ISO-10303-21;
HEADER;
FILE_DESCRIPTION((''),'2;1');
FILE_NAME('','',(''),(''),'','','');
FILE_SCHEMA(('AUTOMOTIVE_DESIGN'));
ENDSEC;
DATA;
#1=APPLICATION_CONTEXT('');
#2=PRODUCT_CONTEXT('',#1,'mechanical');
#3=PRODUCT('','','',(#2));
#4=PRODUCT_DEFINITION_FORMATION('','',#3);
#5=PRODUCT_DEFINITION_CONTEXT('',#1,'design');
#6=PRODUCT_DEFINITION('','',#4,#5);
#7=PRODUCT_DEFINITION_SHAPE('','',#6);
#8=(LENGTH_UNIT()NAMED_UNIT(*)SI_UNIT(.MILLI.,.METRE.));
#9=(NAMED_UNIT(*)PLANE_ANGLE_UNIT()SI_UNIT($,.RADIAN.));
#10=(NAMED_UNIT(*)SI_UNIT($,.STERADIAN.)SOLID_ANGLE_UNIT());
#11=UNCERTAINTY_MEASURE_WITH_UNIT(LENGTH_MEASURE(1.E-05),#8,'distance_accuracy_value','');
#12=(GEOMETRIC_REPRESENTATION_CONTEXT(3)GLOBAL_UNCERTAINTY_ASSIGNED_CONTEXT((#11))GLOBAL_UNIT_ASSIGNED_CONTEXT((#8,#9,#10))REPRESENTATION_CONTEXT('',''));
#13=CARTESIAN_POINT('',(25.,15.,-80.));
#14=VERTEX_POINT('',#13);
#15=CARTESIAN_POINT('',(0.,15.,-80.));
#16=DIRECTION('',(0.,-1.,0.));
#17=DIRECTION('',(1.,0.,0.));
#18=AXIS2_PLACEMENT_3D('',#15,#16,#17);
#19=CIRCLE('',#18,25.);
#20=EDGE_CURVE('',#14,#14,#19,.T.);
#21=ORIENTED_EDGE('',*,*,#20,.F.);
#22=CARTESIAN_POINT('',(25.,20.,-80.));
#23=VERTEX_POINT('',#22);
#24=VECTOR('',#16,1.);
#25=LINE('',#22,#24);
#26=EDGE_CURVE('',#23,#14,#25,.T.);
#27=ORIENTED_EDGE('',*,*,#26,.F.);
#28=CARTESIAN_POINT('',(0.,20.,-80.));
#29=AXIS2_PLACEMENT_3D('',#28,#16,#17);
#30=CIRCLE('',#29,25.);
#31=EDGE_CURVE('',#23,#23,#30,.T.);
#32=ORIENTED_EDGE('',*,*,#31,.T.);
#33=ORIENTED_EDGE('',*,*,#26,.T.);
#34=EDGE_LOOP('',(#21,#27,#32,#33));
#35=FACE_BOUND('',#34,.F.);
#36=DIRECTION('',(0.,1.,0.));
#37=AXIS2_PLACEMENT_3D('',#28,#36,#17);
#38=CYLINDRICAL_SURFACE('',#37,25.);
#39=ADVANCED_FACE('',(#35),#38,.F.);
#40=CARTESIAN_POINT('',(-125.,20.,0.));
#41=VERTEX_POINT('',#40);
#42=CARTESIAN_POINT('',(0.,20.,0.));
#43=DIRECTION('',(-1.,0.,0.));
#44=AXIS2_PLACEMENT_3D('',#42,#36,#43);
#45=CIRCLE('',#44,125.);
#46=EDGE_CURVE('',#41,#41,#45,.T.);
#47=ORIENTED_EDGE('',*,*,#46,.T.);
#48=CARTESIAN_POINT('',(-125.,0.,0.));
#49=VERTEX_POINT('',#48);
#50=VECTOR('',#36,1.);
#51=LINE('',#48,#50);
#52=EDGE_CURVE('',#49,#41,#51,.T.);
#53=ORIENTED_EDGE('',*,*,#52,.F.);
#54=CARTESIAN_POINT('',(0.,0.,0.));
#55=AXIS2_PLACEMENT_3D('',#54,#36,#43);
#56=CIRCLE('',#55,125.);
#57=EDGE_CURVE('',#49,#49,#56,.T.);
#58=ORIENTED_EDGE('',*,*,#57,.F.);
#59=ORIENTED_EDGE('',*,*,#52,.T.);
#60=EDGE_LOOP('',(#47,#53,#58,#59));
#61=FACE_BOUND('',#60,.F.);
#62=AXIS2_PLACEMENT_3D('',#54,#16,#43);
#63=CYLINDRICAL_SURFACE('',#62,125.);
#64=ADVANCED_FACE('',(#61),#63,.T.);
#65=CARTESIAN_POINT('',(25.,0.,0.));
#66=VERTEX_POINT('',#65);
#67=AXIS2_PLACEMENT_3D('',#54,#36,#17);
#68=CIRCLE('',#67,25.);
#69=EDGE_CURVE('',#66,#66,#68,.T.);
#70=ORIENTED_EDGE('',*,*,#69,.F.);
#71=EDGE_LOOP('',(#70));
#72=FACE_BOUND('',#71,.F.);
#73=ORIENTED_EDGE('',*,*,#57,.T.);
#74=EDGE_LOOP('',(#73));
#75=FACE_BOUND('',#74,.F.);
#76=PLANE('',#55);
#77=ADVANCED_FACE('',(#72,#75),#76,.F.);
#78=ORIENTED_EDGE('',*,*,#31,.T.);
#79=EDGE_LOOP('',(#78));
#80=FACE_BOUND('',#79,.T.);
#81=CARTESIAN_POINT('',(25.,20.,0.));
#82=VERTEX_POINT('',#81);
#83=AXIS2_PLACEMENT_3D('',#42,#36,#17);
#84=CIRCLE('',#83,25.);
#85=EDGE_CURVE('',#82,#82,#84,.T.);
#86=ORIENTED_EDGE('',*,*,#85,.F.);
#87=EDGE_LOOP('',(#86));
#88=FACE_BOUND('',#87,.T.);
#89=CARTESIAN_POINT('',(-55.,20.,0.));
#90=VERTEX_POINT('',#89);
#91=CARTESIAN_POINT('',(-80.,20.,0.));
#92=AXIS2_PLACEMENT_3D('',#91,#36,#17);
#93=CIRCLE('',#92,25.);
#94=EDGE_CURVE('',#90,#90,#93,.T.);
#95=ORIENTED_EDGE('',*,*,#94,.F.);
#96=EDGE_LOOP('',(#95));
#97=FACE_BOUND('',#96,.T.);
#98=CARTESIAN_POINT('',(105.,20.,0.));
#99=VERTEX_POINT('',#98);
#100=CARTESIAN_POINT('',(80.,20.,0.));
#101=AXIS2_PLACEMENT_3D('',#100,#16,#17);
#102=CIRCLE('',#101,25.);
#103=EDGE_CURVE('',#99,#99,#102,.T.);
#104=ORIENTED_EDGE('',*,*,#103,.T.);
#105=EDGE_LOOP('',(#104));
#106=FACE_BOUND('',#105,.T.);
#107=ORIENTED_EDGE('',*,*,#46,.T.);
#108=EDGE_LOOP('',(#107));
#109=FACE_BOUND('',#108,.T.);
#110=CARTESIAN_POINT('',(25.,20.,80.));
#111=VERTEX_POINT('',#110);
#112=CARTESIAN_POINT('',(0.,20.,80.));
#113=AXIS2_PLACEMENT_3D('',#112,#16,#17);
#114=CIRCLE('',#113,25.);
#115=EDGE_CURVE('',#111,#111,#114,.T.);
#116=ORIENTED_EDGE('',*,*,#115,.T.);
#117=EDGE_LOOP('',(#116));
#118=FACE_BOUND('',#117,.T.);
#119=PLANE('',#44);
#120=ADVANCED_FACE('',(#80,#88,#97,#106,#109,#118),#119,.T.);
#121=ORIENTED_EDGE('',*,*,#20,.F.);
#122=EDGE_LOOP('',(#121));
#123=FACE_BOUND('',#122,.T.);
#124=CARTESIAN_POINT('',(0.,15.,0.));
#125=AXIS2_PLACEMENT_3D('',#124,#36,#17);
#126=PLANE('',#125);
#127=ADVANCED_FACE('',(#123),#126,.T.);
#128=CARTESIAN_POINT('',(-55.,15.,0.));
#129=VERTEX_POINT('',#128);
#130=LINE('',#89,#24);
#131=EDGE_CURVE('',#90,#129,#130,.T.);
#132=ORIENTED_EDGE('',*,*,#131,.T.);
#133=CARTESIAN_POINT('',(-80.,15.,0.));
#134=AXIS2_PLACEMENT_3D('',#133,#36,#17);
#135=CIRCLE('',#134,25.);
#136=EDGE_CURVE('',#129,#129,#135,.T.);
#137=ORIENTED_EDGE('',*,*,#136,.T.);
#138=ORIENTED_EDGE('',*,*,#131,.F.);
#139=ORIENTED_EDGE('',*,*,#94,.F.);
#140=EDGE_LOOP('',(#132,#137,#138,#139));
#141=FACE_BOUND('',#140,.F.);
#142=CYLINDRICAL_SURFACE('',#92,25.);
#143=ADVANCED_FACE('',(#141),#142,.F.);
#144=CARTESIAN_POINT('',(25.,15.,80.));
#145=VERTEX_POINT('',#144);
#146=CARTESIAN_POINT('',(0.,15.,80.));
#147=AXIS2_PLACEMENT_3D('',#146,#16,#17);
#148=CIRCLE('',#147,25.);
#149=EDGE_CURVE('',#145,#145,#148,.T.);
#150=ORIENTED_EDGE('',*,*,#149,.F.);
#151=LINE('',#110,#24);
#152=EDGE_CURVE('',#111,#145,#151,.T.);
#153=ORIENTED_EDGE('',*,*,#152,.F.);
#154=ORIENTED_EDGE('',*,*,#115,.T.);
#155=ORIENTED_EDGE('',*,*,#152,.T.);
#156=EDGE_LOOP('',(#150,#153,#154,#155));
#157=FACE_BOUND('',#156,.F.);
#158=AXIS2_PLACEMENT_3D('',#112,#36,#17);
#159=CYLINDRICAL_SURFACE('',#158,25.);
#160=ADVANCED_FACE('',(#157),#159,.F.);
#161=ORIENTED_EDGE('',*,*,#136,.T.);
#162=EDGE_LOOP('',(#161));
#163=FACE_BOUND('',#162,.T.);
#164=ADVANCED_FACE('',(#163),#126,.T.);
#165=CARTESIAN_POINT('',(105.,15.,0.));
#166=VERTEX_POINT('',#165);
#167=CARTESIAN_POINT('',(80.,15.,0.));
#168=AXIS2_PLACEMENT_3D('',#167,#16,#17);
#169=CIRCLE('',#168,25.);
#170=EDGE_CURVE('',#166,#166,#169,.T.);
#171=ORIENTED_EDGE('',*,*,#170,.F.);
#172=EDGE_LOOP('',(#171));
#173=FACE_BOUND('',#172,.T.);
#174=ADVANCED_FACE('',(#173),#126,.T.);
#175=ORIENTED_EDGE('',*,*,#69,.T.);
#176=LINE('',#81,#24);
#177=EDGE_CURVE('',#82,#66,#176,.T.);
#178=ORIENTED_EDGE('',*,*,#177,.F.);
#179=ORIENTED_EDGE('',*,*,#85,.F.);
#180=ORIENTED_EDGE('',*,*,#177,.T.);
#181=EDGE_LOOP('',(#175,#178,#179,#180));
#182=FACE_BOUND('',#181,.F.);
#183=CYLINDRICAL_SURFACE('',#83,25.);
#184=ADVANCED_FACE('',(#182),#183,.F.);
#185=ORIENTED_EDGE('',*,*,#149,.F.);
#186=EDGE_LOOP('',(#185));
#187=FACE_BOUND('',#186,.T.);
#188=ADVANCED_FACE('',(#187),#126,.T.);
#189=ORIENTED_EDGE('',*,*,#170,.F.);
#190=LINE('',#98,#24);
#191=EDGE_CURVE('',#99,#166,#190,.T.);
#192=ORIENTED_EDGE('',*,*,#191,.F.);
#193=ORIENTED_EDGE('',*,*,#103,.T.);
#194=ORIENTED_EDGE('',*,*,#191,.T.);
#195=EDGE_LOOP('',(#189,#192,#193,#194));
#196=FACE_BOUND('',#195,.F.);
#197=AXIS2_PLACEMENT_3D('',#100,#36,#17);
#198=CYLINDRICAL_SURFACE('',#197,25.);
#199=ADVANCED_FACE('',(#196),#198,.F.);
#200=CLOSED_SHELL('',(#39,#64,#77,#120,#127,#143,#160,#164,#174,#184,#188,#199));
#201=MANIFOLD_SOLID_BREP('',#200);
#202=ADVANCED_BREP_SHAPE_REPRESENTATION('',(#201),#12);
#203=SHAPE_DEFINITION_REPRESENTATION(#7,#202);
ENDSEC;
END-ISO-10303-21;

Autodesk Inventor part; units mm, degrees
ref_plane "YZ Plane" through (0, 0, 0) normal (1, 0, 0) x (0, 1, 0)
ref_plane "XZ Plane" through (0, 0, 0) normal (0, 1, 0) x (-1, 0, 0)
ref_plane "XY Plane" through (0, 0, 0) normal (0, 0, 1) x (1, 0, 0)
sketch "Sketch1" plane through (0, 0, 0) normal (0, 1, 0) x (-1, 0, 0)
  point P0 (0, 0)
extrude "Extrusion1" [suppressed]
sketch "Sketch2" plane through (0, 0, 0) normal (0, 1, 0) x (-1, 0, 0)
  circle A0 centre (0, 0) radius 125
  dimension "d3" = 250
extrude "Extrusion2" add sketch "Sketch2" along normal blind 20
sketch "Sketch3" plane through (0, 20, 0) normal (0, 1, 0) x (1, 0, 0)
  circle A0 centre (0, 0) radius 25
  dimension "d6" = 50
extrude "Extrusion3" cut sketch "Sketch3" against normal blind 20
sketch "Sketch4" plane through (0, 20, 0) normal (0, 1, 0) x (1, 0, 0)
  line L0 (0, 0) -> (0, 80)
  circle A0 centre (0, 80) radius 25
  dimension "d9" = 80
  dimension "d10" = 50
extrude "Extrusion4" cut sketch "Sketch4" against normal blind 5
sketch "Sketch5" plane through (0, 20, 0) normal (0, 1, 0) x (1, 0, 0)
  line L0 (0, 0) -> (80, 0)
  circle A0 centre (80, 0) radius 25
  dimension "d13" = 80
  dimension "d14" = 50
extrude "Extrusion5" cut sketch "Sketch5" against normal blind 5
sketch "Sketch6" plane through (0, 20, 0) normal (0, 1, 0) x (1, 0, 0)
  line L0 (0, 0) -> (-80, 0)
  circle A0 centre (-80, 0) radius 25
  dimension "d17" = 80
  dimension "d18" = 50
extrude "Extrusion6" cut sketch "Sketch6" against normal blind 5
sketch "Sketch7" plane through (0, 20, 0) normal (0, 1, 0) x (1, 0, 0)
  line L0 (0, 0) -> (0, -80)
  circle A0 centre (0, -80) radius 25
  dimension "d21" = 80
  dimension "d22" = 50
extrude "Extrusion7" cut sketch "Sketch7" against normal blind 5
properties part number "expo12"
